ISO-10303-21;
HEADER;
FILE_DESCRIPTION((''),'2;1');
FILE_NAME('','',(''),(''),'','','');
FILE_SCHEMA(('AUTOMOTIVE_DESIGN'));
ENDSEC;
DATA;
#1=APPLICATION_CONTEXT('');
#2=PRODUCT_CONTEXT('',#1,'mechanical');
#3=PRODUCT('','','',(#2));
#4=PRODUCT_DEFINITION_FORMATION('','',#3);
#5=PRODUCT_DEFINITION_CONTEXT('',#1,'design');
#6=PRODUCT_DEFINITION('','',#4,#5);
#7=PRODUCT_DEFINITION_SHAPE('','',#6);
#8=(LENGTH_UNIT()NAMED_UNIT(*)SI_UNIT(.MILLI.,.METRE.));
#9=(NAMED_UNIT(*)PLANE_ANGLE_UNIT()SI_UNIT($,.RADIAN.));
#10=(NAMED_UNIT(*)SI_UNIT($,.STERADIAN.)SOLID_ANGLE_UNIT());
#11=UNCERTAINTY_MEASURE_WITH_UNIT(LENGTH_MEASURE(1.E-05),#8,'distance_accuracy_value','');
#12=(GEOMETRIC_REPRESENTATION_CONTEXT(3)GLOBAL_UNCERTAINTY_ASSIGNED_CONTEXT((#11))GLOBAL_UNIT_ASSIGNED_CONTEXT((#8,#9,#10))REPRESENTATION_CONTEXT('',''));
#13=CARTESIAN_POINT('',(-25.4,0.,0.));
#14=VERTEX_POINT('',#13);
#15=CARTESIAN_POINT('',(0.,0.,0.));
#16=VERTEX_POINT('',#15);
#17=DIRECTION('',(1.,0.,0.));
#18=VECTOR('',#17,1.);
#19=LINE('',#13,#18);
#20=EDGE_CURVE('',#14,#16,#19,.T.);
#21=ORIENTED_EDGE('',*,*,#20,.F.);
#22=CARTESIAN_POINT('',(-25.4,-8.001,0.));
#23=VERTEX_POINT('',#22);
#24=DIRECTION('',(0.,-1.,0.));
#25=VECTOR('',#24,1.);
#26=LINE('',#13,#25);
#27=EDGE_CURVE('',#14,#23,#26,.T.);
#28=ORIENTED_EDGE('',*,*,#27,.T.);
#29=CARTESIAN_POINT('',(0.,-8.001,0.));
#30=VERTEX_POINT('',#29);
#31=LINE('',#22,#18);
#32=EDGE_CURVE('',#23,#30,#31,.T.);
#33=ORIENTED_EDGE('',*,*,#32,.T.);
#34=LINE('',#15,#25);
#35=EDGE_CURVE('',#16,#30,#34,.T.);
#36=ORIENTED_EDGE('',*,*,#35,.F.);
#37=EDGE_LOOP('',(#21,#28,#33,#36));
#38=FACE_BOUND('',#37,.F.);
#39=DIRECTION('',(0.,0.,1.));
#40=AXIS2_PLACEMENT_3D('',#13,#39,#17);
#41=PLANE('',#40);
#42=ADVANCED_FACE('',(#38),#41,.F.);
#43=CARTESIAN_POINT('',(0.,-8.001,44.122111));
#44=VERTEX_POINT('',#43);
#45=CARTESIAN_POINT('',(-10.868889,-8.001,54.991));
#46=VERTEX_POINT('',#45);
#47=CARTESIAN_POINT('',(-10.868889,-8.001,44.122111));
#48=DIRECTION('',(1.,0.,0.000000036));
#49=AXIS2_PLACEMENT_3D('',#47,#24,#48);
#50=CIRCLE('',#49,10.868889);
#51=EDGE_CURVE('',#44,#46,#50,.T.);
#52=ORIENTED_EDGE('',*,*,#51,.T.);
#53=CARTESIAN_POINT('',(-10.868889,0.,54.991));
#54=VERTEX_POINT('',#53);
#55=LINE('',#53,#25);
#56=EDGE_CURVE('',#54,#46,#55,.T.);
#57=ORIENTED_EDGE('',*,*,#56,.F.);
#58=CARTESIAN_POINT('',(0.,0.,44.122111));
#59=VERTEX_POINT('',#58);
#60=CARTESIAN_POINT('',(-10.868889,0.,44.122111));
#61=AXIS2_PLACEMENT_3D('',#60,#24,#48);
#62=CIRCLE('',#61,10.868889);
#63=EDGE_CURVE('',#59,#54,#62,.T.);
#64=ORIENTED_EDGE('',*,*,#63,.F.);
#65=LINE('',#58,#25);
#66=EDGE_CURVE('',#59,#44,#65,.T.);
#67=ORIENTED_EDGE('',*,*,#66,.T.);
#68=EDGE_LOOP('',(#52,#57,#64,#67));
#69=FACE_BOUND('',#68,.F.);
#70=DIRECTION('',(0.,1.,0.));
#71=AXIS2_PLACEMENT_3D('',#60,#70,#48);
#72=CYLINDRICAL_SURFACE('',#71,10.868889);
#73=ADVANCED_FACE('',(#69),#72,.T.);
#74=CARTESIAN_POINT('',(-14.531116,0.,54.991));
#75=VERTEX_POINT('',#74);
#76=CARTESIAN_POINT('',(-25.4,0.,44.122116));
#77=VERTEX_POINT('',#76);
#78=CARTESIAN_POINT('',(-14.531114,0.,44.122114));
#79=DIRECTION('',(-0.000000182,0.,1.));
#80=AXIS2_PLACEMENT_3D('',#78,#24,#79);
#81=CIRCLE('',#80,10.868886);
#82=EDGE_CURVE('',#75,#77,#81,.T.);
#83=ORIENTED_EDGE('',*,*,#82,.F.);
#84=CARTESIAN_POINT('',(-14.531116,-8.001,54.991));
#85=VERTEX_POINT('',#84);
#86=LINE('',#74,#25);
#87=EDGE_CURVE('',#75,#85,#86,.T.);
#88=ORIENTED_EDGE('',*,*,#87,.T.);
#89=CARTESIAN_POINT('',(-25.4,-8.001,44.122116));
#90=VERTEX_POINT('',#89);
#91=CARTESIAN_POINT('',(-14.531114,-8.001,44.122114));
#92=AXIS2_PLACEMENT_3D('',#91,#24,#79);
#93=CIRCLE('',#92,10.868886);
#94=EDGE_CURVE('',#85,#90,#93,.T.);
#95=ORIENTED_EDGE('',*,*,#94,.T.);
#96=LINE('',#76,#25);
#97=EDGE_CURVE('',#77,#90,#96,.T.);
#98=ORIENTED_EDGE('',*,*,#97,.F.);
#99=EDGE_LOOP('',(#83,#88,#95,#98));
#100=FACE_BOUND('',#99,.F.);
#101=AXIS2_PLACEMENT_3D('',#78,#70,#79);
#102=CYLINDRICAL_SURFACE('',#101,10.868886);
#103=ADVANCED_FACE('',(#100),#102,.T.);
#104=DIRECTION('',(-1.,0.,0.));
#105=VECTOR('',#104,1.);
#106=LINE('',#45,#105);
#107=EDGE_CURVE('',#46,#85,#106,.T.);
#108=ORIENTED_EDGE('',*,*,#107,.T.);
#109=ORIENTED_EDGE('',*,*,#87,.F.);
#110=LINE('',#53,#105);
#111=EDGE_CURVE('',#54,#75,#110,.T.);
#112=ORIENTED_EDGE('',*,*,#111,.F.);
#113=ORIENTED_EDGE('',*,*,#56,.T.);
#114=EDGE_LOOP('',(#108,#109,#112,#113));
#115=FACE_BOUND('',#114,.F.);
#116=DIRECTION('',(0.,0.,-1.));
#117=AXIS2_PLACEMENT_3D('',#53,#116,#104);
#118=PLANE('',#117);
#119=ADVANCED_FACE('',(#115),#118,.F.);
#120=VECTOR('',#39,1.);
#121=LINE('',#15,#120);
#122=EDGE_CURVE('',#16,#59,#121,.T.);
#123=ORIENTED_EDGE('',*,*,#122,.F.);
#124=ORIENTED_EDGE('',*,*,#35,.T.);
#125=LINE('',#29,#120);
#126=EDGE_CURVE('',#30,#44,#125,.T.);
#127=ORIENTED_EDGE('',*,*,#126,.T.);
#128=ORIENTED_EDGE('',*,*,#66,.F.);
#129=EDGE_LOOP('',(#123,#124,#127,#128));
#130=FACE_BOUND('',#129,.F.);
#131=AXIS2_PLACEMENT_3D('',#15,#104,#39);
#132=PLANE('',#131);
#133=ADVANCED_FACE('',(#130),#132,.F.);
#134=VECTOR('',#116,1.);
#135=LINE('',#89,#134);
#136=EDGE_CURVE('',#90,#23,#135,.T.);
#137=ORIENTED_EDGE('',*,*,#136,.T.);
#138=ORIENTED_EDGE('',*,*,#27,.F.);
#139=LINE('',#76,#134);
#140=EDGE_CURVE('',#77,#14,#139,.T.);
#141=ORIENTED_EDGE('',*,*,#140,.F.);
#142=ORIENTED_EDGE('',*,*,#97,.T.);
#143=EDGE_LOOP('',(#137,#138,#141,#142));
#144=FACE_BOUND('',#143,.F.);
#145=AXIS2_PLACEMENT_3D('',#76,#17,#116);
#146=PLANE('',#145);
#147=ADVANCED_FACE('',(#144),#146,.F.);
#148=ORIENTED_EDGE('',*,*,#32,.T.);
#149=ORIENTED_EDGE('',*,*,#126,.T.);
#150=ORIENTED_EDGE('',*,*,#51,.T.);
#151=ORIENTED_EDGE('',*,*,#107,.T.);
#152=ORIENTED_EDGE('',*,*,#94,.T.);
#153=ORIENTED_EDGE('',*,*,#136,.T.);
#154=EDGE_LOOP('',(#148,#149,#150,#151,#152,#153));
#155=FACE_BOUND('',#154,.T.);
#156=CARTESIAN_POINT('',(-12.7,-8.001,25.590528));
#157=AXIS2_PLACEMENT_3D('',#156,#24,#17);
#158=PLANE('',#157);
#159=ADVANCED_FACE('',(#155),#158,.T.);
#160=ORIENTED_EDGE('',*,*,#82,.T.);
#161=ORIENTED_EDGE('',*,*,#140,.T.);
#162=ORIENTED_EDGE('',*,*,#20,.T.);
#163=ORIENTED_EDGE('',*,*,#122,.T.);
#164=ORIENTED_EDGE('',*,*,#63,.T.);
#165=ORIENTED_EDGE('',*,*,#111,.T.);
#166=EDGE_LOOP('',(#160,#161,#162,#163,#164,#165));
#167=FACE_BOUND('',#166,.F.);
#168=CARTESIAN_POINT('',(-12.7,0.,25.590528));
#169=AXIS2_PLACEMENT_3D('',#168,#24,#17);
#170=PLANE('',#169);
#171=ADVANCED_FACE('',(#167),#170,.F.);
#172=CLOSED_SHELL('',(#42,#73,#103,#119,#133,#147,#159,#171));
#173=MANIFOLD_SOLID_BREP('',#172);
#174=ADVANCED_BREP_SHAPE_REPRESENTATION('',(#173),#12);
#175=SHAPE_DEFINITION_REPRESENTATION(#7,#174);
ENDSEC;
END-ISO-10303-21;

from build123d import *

# Parameters (mm, degrees)
F1_DEPTH = 8.001


with BuildPart() as f1:
    # F0 (on Front) → F1 (new body)
    with BuildSketch(Plane.XZ):
        with BuildLine():
            Line((-25.4, 0), (0, 0))
            Line((0, 0), (0, 44.122111))
            ThreePointArc((0, 44.122111), (-3.183424, 51.807576), (-10.868889, 54.991))
            Line((-10.868889, 54.991), (-14.531116, 54.991))
            ThreePointArc((-14.531116, 54.991), (-22.216577, 51.807577), (-25.4, 44.122116))
            Line((-25.4, 44.122116), (-25.4, 0))
        make_face()
    extrude(amount=F1_DEPTH)


solid = f1.part
